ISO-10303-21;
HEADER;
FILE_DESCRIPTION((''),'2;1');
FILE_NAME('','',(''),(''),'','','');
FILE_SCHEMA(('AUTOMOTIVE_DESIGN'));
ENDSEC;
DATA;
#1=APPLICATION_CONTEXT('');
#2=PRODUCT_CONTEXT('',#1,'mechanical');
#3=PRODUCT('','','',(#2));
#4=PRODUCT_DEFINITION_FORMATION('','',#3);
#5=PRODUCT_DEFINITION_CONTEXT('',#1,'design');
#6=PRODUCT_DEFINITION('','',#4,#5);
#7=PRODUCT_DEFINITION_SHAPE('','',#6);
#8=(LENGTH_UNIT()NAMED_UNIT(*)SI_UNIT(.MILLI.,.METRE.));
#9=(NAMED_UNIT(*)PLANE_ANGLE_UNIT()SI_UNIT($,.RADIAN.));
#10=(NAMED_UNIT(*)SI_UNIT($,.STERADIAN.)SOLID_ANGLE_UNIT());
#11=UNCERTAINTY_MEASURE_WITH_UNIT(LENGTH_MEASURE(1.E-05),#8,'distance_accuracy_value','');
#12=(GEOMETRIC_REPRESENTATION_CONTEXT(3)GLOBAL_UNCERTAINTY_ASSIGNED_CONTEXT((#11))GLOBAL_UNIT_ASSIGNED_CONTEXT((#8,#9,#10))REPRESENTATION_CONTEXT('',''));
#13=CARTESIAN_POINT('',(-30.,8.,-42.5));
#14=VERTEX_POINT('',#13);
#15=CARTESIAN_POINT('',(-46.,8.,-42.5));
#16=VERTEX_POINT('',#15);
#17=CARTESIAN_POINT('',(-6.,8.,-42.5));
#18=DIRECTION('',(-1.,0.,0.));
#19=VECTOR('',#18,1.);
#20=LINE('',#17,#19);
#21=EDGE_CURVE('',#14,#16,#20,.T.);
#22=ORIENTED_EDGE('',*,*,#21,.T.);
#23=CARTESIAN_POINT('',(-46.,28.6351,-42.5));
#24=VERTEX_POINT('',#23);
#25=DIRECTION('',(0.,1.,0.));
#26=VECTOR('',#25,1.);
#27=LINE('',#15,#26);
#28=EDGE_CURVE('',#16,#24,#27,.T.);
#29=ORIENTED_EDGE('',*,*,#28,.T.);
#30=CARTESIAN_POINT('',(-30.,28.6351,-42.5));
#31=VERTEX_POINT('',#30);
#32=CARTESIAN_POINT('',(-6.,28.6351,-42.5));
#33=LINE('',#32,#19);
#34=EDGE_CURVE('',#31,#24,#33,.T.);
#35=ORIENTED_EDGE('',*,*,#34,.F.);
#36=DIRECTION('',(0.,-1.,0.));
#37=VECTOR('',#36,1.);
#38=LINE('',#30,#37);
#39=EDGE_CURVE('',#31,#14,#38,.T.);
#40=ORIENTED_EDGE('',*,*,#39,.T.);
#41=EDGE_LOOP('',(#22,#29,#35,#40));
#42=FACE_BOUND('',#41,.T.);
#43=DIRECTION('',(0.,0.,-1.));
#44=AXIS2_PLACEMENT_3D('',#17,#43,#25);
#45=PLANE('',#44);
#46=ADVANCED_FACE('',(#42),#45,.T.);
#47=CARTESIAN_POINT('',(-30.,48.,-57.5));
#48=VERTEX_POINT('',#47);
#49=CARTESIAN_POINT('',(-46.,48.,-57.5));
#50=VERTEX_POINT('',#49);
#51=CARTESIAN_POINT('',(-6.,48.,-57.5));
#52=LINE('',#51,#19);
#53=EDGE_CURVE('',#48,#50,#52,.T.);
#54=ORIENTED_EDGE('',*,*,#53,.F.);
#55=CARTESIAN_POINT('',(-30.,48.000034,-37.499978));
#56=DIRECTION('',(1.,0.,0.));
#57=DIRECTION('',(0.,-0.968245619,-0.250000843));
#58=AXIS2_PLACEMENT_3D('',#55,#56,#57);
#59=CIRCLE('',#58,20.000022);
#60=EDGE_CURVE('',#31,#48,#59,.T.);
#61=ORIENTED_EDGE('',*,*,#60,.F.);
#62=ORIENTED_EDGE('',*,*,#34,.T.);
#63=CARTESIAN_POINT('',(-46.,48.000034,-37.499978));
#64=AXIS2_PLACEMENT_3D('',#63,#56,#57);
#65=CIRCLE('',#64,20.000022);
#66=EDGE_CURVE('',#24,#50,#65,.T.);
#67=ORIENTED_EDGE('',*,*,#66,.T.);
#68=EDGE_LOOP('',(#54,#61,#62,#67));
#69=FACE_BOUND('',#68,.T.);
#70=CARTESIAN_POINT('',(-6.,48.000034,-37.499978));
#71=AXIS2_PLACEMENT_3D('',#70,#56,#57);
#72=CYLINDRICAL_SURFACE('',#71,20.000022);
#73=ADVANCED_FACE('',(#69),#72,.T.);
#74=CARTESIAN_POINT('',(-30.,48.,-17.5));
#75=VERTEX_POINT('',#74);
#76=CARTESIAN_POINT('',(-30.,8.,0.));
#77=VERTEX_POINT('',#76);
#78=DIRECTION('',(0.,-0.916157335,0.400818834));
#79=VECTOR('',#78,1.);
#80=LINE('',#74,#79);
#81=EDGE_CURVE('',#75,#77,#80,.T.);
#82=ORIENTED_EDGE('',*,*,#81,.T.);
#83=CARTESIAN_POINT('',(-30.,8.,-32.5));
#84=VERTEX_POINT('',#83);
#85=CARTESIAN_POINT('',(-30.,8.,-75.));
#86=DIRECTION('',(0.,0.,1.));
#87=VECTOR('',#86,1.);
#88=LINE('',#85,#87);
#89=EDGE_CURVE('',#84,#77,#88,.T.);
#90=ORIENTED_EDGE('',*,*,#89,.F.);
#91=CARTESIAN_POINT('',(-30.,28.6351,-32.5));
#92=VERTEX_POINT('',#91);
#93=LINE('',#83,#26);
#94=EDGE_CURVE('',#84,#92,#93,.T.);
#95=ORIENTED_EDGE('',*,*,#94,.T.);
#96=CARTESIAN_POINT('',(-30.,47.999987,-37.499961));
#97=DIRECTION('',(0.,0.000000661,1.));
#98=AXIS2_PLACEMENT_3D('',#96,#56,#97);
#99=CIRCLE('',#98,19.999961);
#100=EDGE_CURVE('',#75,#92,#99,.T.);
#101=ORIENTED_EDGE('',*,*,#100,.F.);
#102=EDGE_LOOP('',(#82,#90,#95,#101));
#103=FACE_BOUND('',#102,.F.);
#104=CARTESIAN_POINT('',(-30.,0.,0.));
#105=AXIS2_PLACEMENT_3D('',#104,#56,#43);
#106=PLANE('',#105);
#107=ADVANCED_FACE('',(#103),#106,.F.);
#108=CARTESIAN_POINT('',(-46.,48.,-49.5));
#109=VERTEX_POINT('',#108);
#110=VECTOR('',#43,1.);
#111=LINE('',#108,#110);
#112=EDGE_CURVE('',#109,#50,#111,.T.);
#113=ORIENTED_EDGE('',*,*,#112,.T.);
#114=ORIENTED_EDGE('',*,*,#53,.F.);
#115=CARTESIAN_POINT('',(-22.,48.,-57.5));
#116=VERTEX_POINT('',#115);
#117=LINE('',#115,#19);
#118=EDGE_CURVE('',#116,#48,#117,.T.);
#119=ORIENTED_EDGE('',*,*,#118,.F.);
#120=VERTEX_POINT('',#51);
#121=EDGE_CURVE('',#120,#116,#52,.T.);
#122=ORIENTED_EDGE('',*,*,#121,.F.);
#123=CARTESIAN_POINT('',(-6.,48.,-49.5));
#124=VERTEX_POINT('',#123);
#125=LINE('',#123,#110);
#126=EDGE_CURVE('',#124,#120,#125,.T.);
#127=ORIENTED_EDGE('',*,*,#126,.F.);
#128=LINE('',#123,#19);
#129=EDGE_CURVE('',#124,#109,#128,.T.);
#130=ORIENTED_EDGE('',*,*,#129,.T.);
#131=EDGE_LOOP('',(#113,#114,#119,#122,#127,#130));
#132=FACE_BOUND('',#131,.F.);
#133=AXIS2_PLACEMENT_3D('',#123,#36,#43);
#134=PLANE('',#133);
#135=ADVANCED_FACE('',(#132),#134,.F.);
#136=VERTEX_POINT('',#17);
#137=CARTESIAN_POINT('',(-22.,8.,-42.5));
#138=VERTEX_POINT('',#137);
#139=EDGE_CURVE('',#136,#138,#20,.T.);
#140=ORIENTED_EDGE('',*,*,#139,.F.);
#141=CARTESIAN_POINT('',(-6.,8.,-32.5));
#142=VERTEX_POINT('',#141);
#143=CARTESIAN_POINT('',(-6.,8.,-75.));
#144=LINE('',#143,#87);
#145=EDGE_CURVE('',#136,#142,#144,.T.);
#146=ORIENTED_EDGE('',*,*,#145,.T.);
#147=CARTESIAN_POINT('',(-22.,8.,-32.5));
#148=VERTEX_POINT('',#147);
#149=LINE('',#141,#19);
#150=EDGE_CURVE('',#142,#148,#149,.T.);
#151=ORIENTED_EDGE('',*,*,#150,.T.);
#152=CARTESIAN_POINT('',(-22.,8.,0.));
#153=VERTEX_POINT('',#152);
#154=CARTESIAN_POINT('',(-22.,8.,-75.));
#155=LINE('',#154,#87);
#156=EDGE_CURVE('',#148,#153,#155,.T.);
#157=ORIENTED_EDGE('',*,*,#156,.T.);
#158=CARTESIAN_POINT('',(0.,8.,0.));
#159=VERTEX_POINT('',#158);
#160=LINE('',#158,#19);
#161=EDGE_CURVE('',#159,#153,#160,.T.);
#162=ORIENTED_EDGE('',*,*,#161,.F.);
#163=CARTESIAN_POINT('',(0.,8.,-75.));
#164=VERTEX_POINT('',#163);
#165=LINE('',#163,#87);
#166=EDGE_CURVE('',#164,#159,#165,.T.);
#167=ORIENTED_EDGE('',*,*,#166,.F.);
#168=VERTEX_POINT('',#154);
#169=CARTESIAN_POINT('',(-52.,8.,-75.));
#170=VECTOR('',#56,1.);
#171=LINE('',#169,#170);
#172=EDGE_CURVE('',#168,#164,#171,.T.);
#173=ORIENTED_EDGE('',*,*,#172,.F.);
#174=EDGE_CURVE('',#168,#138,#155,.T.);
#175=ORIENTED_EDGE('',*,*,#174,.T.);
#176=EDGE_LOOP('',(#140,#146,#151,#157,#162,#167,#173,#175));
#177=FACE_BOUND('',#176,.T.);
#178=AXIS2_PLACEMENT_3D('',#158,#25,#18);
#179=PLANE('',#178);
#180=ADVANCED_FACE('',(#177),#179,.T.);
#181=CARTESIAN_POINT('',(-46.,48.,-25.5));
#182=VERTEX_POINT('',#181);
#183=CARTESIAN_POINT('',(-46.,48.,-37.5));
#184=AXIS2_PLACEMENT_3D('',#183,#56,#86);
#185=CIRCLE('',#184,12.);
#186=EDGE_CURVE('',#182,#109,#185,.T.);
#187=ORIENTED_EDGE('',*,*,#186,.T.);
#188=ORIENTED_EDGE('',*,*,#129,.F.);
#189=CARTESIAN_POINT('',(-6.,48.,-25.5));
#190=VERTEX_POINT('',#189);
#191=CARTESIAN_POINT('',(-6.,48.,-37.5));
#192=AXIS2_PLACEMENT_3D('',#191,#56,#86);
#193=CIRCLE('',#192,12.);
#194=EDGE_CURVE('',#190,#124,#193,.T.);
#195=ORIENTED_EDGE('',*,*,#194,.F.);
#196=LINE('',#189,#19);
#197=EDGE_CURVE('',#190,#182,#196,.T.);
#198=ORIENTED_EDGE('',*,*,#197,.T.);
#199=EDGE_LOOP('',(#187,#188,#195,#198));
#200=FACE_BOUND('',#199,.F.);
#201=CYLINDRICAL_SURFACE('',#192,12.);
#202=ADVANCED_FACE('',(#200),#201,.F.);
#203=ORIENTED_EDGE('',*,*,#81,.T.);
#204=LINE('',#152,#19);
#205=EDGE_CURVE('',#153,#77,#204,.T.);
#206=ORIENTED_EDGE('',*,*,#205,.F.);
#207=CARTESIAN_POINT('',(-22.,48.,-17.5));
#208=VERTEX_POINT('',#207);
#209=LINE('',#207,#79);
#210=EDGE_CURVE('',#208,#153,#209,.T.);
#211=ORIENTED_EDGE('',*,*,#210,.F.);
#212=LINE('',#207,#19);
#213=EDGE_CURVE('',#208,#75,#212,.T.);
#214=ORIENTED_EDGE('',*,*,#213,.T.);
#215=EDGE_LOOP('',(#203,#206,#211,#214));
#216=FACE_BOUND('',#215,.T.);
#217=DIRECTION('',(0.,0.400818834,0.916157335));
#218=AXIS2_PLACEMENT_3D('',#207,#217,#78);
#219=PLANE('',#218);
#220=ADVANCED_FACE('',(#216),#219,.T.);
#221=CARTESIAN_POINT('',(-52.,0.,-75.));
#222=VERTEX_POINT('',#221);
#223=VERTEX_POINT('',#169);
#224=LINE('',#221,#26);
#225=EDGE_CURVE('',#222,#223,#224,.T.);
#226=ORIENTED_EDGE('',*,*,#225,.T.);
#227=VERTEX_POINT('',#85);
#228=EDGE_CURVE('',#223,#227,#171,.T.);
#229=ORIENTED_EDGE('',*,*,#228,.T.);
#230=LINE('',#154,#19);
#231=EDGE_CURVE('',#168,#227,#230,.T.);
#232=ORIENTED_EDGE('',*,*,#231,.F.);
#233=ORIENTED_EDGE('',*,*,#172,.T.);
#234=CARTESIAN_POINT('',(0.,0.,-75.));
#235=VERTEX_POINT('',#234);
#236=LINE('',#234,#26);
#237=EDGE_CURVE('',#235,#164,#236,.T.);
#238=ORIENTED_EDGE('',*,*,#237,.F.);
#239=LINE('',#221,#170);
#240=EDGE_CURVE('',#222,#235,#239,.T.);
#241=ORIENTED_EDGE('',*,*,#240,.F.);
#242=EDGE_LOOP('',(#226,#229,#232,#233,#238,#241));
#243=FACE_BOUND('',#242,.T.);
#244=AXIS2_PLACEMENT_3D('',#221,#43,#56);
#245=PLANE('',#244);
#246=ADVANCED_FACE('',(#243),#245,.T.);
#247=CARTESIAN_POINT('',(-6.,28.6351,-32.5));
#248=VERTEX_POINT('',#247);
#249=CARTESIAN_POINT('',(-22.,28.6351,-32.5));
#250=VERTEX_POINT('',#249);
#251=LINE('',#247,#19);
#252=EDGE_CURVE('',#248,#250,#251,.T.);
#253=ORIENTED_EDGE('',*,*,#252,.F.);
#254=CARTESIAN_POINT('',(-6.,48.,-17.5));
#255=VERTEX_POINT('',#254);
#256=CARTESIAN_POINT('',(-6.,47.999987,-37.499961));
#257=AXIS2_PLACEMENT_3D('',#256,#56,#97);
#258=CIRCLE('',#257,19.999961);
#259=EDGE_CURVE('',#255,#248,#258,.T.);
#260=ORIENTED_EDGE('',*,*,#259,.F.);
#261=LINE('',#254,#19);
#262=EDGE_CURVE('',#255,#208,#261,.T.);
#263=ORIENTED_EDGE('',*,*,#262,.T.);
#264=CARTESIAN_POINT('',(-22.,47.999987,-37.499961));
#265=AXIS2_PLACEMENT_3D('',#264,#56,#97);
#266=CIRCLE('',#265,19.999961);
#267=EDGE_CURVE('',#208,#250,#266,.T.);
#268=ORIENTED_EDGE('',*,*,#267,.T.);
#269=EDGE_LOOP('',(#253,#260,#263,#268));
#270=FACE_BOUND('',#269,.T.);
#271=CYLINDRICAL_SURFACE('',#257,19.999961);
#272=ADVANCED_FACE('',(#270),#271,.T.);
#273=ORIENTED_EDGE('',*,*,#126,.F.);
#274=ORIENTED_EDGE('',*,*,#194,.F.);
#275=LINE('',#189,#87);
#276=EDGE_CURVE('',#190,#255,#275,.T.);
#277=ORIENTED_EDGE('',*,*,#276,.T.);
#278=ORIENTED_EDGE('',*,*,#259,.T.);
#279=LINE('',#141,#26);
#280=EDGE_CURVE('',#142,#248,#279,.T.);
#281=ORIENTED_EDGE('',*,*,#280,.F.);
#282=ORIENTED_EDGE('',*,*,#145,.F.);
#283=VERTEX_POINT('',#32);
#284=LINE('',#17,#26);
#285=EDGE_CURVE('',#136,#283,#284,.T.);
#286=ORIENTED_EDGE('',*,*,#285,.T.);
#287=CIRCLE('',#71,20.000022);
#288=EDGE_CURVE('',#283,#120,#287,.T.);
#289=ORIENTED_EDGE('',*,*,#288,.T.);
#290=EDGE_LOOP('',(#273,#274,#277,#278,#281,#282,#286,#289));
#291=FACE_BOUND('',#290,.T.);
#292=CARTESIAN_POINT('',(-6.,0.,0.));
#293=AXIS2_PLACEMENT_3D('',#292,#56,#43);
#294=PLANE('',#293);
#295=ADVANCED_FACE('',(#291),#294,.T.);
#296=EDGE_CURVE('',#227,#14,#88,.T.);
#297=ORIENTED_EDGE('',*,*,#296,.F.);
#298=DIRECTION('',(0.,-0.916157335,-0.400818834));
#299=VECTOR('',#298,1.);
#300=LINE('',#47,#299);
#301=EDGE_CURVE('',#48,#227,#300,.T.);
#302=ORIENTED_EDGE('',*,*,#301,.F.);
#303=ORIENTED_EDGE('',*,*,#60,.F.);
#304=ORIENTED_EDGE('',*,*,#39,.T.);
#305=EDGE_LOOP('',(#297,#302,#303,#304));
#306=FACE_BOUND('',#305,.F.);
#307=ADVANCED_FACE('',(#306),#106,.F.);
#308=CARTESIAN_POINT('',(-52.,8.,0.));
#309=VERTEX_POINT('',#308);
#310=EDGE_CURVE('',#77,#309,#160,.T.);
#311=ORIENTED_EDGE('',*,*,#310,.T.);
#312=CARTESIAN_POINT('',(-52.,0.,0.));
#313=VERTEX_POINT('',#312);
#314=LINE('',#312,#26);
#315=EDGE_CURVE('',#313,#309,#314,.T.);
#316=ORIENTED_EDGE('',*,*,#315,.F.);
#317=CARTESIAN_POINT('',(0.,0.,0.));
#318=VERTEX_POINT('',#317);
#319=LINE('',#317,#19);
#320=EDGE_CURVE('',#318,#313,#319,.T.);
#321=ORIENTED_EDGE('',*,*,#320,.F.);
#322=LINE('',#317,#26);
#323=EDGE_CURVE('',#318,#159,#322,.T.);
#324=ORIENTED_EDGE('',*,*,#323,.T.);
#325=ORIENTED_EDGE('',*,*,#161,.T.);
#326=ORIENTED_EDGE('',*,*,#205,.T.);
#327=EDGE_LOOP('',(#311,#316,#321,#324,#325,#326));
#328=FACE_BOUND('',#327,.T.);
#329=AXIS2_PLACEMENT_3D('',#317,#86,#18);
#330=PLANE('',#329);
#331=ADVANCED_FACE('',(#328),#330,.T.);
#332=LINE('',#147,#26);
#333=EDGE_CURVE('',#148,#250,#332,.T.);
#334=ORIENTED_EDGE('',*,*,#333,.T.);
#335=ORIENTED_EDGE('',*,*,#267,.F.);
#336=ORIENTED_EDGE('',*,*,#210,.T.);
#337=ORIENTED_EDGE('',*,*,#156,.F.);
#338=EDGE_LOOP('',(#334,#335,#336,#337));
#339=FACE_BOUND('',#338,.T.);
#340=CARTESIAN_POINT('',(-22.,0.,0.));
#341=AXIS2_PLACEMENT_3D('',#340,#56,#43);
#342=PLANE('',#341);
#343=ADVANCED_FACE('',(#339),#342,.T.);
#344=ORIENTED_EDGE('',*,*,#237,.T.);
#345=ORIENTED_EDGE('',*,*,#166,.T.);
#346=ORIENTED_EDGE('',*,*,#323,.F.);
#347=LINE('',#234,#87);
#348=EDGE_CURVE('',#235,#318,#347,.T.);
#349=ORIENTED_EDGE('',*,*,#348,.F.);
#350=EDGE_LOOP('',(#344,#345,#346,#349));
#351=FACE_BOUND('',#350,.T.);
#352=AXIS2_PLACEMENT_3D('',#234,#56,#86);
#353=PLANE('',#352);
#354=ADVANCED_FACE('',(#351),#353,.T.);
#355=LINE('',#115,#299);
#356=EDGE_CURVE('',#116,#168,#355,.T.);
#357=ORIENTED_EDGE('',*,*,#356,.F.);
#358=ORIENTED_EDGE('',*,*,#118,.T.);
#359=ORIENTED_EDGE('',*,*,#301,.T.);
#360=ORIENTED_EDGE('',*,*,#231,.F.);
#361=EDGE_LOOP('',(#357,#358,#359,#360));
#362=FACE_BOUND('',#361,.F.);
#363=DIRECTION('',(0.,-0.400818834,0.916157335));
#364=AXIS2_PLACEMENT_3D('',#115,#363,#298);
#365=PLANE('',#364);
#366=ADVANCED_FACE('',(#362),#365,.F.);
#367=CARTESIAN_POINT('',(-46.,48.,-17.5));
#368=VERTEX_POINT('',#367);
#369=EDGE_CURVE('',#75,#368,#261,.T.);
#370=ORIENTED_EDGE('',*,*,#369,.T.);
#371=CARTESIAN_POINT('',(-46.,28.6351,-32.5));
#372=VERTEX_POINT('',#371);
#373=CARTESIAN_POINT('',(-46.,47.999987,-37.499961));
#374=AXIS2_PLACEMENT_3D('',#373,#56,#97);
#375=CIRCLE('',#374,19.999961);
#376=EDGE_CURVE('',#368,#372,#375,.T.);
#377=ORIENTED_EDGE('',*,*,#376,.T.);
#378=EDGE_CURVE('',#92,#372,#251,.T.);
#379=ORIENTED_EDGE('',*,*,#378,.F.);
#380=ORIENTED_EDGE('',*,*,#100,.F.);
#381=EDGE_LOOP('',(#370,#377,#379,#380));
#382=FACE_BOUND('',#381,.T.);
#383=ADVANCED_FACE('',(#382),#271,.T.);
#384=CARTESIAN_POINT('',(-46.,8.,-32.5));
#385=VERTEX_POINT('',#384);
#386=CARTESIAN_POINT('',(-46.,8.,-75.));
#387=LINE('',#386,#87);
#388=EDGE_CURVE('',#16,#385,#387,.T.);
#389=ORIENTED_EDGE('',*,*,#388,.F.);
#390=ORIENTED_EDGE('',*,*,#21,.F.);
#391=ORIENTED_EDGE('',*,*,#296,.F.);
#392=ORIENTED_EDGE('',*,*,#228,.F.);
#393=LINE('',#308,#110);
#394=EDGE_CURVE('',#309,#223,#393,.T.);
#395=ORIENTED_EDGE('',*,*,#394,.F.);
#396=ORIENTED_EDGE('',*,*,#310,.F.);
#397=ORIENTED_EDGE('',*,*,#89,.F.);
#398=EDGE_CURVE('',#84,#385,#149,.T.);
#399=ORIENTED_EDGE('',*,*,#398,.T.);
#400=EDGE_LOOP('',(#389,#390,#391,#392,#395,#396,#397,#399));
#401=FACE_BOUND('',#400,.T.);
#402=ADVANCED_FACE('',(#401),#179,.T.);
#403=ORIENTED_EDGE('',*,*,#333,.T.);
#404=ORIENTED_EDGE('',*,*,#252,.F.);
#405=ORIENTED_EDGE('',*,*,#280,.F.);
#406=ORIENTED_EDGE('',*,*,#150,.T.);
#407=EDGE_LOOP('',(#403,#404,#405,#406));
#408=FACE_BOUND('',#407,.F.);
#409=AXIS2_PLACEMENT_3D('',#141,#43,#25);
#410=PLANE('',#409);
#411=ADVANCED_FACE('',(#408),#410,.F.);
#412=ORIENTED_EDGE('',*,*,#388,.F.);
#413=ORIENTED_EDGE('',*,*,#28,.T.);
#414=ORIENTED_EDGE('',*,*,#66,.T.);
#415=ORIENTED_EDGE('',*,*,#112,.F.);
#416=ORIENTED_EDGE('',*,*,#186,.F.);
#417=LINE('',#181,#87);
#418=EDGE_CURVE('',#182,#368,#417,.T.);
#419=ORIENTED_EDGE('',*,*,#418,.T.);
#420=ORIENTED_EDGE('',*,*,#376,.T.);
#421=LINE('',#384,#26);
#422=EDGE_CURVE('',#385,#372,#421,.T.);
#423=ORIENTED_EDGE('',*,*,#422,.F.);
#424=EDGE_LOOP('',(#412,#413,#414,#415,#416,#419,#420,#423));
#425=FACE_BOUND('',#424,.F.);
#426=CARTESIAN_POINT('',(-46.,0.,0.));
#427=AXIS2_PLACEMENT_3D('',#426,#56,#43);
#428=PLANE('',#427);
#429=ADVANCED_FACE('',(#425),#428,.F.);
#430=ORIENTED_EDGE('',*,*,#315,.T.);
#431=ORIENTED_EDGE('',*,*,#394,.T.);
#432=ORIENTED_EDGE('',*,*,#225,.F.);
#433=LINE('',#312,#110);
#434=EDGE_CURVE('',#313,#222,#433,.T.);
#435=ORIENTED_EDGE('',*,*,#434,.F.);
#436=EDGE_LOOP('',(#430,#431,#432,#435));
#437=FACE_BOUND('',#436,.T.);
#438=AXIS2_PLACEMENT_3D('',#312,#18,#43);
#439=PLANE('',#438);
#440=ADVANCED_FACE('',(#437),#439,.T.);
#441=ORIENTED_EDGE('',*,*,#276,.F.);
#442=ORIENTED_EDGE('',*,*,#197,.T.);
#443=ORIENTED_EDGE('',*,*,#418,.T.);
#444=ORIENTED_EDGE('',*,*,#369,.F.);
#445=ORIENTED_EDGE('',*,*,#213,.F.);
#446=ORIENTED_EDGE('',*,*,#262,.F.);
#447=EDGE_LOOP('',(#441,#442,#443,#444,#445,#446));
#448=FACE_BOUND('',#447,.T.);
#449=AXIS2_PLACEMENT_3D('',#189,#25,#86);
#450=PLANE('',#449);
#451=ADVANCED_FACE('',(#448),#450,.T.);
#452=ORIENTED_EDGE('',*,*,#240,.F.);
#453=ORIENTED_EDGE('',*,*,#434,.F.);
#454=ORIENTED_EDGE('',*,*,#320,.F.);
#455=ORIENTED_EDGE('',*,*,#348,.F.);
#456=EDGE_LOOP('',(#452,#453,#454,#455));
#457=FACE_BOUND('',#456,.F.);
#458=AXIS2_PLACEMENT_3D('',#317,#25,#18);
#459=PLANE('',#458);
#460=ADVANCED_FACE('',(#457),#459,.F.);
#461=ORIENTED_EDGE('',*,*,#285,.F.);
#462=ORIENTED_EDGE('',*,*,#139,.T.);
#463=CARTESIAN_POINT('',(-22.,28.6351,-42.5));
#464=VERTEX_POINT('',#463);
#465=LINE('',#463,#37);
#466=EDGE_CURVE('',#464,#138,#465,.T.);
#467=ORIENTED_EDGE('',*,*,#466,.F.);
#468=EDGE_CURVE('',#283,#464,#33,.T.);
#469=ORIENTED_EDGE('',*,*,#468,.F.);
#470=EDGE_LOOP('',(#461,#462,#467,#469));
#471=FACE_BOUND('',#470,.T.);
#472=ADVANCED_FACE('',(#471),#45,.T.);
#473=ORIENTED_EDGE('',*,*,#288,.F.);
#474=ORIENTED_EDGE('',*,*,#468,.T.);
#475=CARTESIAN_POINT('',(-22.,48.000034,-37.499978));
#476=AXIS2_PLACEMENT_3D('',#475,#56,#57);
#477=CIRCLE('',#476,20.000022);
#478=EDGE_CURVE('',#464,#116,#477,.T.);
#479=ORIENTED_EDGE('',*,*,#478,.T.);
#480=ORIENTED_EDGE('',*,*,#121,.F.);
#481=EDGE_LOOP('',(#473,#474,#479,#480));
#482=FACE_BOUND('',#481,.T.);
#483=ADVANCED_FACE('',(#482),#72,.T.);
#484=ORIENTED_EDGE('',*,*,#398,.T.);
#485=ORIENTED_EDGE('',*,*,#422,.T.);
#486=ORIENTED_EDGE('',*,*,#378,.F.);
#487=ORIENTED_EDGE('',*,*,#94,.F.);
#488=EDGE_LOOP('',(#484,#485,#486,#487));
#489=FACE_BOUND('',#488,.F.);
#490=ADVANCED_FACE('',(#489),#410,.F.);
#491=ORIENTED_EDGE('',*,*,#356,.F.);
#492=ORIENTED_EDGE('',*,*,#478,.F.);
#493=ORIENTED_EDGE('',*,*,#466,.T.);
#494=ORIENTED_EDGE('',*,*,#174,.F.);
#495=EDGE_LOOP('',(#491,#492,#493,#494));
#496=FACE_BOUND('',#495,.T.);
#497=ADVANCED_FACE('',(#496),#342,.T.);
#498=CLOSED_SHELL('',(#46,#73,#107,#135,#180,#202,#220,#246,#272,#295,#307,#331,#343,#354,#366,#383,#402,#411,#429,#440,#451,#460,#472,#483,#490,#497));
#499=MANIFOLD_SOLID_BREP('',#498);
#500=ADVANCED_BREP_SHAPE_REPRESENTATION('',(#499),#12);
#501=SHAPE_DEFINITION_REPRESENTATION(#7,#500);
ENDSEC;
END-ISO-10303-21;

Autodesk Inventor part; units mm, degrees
ref_plane "YZ Plane" through (0, 0, 0) normal (1, 0, 0) x (0, 1, 0)
ref_plane "XZ Plane" through (0, 0, 0) normal (0, 1, 0) x (-1, 0, 0)
sketch "Sketch1" plane through (0, 0, 0) normal (0, 1, 0) x (-1, 0, 0)
  line L0 (0, 0) -> (52, 0)
  line L1 (52, 0) -> (52, -75)
  line L2 (52, -75) -> (0, -75)
  line L3 (0, -75) -> (0, 0)
  dimension "d0" = 52
  dimension "d1" = 75
extrude "Extrusion1" add sketch "Sketch1" along normal blind 8
ref_plane "Work Plane1" through (-6, 0, 0) normal (1, 0, 0) x (0, 0, -1)
sketch "Sketch4" plane through (-6, 0, 0) normal (1, 0, 0) x (0, 0, -1)
  line L0 (75, 0) -> (75, 8) projected
  line L1 (75, 8) -> (0, 8) projected
  line L2 (75, 0) -> (0, 0) projected
  line L3 (0, 0) -> (0, 8) projected
  line L4 (0, 0) -> (0, 8) construction
  line L5 (0, 8) -> (75, 8) construction
  line L6 (75, 0) -> (75, 8) construction
  line L7 (0, 0) -> (75, 0) construction
  line L8 (0, 0) -> (75, 0) projected
  line L9 (75, 0) -> (0, 0) projected
  line L10 (75, 8) -> (0, 8) projected
  line L11 (0, 8) -> (75, 8) projected
  line L12 (75, 0) -> (75, 8) projected
  line L13 (75, 0) -> (75, 8) projected
  line L14 (75, 0) -> (0, 0) projected
  line L15 (0, 0) -> (0, 8) projected
  line L16 (75, 8) -> (0, 8) projected
  line L17 (75, 0) -> (75, 8) projected
  line L18 (0, 0) -> (0, 8) projected
  line L19 (0, 0) -> (0, 8) projected
  line L20 (0, 0) -> (75, 0) projected
  line L21 (75, 0) -> (75, 8) projected
  line L22 (0, 8) -> (75, 8) projected
  line L23 (0, 0) -> (0, 8) projected
  line L24 (37.5, 8) -> (37.5, 48) construction
  arc A0 (25.5, 48) -> (49.5, 48) centre (37.5, 48) ccw
  line L25 (49.5, 48) -> (57.5, 48)
  line L26 (25.5, 48) -> (17.5, 48)
  line L27 (42.5, 8) -> (42.5, 28.6351)
  line L28 (32.5, 8) -> (32.5, 28.6351)
  arc A1 (17.5, 48) -> (32.5, 28.6351) centre (37.5, 48) ccw
  arc A2 (42.5, 28.6351) -> (57.5, 48) centre (37.5, 48) ccw
  dimension "d12" = 40
  dimension "d13" = 24
  dimension "d15" = 90
  dimension "d16" = 40
  dimension "d17" = 10
  dimension "d18" = 5
  dimension "d19" = 20
  dimension "d20" = 20
extrude "Extrusion3" add sketch "Sketch4" against normal blind 40 contours L1 L28 A1 L26 A0 L25 A2 L27
ref_plane "Work Plane2" through (-22, 0, 0) normal (1, 0, 0) x (0, 0, -1)
sketch "Sketch5" plane through (-22, 0, 0) normal (1, 0, 0) x (0, 0, -1)
  line L0 (32.5, 8) -> (32.5, 28.6351) projected
  arc A0 (17.5, 48) -> (32.5, 28.6351) centre (37.5, 48) ccw projected
  line L1 (17.5, 48) -> (25.5, 48) construction
  arc A1 (25.5, 48) -> (49.5, 48) centre (37.5, 48) ccw construction
  line L2 (49.5, 48) -> (57.5, 48) construction
  arc A2 (42.5, 28.6351) -> (57.5, 48) centre (37.5, 48) ccw projected
  line L3 (42.5, 28.6351) -> (42.5, 8) projected
  line L4 (32.5, 8) -> (42.5, 8) construction
  line L5 (75, 8) -> (0, 8) projected
  line L6 (57.5, 48) -> (75, 8)
  line L7 (75, 8) -> (42.5, 8)
  line L8 (17.5, 48) -> (0, 8)
  line L9 (0, 8) -> (32.5, 8)
  point P0 (0, 0)
extrude "Extrusion4" add sketch "Sketch5" against normal blind 8
properties part number "CE-1.3.3"
